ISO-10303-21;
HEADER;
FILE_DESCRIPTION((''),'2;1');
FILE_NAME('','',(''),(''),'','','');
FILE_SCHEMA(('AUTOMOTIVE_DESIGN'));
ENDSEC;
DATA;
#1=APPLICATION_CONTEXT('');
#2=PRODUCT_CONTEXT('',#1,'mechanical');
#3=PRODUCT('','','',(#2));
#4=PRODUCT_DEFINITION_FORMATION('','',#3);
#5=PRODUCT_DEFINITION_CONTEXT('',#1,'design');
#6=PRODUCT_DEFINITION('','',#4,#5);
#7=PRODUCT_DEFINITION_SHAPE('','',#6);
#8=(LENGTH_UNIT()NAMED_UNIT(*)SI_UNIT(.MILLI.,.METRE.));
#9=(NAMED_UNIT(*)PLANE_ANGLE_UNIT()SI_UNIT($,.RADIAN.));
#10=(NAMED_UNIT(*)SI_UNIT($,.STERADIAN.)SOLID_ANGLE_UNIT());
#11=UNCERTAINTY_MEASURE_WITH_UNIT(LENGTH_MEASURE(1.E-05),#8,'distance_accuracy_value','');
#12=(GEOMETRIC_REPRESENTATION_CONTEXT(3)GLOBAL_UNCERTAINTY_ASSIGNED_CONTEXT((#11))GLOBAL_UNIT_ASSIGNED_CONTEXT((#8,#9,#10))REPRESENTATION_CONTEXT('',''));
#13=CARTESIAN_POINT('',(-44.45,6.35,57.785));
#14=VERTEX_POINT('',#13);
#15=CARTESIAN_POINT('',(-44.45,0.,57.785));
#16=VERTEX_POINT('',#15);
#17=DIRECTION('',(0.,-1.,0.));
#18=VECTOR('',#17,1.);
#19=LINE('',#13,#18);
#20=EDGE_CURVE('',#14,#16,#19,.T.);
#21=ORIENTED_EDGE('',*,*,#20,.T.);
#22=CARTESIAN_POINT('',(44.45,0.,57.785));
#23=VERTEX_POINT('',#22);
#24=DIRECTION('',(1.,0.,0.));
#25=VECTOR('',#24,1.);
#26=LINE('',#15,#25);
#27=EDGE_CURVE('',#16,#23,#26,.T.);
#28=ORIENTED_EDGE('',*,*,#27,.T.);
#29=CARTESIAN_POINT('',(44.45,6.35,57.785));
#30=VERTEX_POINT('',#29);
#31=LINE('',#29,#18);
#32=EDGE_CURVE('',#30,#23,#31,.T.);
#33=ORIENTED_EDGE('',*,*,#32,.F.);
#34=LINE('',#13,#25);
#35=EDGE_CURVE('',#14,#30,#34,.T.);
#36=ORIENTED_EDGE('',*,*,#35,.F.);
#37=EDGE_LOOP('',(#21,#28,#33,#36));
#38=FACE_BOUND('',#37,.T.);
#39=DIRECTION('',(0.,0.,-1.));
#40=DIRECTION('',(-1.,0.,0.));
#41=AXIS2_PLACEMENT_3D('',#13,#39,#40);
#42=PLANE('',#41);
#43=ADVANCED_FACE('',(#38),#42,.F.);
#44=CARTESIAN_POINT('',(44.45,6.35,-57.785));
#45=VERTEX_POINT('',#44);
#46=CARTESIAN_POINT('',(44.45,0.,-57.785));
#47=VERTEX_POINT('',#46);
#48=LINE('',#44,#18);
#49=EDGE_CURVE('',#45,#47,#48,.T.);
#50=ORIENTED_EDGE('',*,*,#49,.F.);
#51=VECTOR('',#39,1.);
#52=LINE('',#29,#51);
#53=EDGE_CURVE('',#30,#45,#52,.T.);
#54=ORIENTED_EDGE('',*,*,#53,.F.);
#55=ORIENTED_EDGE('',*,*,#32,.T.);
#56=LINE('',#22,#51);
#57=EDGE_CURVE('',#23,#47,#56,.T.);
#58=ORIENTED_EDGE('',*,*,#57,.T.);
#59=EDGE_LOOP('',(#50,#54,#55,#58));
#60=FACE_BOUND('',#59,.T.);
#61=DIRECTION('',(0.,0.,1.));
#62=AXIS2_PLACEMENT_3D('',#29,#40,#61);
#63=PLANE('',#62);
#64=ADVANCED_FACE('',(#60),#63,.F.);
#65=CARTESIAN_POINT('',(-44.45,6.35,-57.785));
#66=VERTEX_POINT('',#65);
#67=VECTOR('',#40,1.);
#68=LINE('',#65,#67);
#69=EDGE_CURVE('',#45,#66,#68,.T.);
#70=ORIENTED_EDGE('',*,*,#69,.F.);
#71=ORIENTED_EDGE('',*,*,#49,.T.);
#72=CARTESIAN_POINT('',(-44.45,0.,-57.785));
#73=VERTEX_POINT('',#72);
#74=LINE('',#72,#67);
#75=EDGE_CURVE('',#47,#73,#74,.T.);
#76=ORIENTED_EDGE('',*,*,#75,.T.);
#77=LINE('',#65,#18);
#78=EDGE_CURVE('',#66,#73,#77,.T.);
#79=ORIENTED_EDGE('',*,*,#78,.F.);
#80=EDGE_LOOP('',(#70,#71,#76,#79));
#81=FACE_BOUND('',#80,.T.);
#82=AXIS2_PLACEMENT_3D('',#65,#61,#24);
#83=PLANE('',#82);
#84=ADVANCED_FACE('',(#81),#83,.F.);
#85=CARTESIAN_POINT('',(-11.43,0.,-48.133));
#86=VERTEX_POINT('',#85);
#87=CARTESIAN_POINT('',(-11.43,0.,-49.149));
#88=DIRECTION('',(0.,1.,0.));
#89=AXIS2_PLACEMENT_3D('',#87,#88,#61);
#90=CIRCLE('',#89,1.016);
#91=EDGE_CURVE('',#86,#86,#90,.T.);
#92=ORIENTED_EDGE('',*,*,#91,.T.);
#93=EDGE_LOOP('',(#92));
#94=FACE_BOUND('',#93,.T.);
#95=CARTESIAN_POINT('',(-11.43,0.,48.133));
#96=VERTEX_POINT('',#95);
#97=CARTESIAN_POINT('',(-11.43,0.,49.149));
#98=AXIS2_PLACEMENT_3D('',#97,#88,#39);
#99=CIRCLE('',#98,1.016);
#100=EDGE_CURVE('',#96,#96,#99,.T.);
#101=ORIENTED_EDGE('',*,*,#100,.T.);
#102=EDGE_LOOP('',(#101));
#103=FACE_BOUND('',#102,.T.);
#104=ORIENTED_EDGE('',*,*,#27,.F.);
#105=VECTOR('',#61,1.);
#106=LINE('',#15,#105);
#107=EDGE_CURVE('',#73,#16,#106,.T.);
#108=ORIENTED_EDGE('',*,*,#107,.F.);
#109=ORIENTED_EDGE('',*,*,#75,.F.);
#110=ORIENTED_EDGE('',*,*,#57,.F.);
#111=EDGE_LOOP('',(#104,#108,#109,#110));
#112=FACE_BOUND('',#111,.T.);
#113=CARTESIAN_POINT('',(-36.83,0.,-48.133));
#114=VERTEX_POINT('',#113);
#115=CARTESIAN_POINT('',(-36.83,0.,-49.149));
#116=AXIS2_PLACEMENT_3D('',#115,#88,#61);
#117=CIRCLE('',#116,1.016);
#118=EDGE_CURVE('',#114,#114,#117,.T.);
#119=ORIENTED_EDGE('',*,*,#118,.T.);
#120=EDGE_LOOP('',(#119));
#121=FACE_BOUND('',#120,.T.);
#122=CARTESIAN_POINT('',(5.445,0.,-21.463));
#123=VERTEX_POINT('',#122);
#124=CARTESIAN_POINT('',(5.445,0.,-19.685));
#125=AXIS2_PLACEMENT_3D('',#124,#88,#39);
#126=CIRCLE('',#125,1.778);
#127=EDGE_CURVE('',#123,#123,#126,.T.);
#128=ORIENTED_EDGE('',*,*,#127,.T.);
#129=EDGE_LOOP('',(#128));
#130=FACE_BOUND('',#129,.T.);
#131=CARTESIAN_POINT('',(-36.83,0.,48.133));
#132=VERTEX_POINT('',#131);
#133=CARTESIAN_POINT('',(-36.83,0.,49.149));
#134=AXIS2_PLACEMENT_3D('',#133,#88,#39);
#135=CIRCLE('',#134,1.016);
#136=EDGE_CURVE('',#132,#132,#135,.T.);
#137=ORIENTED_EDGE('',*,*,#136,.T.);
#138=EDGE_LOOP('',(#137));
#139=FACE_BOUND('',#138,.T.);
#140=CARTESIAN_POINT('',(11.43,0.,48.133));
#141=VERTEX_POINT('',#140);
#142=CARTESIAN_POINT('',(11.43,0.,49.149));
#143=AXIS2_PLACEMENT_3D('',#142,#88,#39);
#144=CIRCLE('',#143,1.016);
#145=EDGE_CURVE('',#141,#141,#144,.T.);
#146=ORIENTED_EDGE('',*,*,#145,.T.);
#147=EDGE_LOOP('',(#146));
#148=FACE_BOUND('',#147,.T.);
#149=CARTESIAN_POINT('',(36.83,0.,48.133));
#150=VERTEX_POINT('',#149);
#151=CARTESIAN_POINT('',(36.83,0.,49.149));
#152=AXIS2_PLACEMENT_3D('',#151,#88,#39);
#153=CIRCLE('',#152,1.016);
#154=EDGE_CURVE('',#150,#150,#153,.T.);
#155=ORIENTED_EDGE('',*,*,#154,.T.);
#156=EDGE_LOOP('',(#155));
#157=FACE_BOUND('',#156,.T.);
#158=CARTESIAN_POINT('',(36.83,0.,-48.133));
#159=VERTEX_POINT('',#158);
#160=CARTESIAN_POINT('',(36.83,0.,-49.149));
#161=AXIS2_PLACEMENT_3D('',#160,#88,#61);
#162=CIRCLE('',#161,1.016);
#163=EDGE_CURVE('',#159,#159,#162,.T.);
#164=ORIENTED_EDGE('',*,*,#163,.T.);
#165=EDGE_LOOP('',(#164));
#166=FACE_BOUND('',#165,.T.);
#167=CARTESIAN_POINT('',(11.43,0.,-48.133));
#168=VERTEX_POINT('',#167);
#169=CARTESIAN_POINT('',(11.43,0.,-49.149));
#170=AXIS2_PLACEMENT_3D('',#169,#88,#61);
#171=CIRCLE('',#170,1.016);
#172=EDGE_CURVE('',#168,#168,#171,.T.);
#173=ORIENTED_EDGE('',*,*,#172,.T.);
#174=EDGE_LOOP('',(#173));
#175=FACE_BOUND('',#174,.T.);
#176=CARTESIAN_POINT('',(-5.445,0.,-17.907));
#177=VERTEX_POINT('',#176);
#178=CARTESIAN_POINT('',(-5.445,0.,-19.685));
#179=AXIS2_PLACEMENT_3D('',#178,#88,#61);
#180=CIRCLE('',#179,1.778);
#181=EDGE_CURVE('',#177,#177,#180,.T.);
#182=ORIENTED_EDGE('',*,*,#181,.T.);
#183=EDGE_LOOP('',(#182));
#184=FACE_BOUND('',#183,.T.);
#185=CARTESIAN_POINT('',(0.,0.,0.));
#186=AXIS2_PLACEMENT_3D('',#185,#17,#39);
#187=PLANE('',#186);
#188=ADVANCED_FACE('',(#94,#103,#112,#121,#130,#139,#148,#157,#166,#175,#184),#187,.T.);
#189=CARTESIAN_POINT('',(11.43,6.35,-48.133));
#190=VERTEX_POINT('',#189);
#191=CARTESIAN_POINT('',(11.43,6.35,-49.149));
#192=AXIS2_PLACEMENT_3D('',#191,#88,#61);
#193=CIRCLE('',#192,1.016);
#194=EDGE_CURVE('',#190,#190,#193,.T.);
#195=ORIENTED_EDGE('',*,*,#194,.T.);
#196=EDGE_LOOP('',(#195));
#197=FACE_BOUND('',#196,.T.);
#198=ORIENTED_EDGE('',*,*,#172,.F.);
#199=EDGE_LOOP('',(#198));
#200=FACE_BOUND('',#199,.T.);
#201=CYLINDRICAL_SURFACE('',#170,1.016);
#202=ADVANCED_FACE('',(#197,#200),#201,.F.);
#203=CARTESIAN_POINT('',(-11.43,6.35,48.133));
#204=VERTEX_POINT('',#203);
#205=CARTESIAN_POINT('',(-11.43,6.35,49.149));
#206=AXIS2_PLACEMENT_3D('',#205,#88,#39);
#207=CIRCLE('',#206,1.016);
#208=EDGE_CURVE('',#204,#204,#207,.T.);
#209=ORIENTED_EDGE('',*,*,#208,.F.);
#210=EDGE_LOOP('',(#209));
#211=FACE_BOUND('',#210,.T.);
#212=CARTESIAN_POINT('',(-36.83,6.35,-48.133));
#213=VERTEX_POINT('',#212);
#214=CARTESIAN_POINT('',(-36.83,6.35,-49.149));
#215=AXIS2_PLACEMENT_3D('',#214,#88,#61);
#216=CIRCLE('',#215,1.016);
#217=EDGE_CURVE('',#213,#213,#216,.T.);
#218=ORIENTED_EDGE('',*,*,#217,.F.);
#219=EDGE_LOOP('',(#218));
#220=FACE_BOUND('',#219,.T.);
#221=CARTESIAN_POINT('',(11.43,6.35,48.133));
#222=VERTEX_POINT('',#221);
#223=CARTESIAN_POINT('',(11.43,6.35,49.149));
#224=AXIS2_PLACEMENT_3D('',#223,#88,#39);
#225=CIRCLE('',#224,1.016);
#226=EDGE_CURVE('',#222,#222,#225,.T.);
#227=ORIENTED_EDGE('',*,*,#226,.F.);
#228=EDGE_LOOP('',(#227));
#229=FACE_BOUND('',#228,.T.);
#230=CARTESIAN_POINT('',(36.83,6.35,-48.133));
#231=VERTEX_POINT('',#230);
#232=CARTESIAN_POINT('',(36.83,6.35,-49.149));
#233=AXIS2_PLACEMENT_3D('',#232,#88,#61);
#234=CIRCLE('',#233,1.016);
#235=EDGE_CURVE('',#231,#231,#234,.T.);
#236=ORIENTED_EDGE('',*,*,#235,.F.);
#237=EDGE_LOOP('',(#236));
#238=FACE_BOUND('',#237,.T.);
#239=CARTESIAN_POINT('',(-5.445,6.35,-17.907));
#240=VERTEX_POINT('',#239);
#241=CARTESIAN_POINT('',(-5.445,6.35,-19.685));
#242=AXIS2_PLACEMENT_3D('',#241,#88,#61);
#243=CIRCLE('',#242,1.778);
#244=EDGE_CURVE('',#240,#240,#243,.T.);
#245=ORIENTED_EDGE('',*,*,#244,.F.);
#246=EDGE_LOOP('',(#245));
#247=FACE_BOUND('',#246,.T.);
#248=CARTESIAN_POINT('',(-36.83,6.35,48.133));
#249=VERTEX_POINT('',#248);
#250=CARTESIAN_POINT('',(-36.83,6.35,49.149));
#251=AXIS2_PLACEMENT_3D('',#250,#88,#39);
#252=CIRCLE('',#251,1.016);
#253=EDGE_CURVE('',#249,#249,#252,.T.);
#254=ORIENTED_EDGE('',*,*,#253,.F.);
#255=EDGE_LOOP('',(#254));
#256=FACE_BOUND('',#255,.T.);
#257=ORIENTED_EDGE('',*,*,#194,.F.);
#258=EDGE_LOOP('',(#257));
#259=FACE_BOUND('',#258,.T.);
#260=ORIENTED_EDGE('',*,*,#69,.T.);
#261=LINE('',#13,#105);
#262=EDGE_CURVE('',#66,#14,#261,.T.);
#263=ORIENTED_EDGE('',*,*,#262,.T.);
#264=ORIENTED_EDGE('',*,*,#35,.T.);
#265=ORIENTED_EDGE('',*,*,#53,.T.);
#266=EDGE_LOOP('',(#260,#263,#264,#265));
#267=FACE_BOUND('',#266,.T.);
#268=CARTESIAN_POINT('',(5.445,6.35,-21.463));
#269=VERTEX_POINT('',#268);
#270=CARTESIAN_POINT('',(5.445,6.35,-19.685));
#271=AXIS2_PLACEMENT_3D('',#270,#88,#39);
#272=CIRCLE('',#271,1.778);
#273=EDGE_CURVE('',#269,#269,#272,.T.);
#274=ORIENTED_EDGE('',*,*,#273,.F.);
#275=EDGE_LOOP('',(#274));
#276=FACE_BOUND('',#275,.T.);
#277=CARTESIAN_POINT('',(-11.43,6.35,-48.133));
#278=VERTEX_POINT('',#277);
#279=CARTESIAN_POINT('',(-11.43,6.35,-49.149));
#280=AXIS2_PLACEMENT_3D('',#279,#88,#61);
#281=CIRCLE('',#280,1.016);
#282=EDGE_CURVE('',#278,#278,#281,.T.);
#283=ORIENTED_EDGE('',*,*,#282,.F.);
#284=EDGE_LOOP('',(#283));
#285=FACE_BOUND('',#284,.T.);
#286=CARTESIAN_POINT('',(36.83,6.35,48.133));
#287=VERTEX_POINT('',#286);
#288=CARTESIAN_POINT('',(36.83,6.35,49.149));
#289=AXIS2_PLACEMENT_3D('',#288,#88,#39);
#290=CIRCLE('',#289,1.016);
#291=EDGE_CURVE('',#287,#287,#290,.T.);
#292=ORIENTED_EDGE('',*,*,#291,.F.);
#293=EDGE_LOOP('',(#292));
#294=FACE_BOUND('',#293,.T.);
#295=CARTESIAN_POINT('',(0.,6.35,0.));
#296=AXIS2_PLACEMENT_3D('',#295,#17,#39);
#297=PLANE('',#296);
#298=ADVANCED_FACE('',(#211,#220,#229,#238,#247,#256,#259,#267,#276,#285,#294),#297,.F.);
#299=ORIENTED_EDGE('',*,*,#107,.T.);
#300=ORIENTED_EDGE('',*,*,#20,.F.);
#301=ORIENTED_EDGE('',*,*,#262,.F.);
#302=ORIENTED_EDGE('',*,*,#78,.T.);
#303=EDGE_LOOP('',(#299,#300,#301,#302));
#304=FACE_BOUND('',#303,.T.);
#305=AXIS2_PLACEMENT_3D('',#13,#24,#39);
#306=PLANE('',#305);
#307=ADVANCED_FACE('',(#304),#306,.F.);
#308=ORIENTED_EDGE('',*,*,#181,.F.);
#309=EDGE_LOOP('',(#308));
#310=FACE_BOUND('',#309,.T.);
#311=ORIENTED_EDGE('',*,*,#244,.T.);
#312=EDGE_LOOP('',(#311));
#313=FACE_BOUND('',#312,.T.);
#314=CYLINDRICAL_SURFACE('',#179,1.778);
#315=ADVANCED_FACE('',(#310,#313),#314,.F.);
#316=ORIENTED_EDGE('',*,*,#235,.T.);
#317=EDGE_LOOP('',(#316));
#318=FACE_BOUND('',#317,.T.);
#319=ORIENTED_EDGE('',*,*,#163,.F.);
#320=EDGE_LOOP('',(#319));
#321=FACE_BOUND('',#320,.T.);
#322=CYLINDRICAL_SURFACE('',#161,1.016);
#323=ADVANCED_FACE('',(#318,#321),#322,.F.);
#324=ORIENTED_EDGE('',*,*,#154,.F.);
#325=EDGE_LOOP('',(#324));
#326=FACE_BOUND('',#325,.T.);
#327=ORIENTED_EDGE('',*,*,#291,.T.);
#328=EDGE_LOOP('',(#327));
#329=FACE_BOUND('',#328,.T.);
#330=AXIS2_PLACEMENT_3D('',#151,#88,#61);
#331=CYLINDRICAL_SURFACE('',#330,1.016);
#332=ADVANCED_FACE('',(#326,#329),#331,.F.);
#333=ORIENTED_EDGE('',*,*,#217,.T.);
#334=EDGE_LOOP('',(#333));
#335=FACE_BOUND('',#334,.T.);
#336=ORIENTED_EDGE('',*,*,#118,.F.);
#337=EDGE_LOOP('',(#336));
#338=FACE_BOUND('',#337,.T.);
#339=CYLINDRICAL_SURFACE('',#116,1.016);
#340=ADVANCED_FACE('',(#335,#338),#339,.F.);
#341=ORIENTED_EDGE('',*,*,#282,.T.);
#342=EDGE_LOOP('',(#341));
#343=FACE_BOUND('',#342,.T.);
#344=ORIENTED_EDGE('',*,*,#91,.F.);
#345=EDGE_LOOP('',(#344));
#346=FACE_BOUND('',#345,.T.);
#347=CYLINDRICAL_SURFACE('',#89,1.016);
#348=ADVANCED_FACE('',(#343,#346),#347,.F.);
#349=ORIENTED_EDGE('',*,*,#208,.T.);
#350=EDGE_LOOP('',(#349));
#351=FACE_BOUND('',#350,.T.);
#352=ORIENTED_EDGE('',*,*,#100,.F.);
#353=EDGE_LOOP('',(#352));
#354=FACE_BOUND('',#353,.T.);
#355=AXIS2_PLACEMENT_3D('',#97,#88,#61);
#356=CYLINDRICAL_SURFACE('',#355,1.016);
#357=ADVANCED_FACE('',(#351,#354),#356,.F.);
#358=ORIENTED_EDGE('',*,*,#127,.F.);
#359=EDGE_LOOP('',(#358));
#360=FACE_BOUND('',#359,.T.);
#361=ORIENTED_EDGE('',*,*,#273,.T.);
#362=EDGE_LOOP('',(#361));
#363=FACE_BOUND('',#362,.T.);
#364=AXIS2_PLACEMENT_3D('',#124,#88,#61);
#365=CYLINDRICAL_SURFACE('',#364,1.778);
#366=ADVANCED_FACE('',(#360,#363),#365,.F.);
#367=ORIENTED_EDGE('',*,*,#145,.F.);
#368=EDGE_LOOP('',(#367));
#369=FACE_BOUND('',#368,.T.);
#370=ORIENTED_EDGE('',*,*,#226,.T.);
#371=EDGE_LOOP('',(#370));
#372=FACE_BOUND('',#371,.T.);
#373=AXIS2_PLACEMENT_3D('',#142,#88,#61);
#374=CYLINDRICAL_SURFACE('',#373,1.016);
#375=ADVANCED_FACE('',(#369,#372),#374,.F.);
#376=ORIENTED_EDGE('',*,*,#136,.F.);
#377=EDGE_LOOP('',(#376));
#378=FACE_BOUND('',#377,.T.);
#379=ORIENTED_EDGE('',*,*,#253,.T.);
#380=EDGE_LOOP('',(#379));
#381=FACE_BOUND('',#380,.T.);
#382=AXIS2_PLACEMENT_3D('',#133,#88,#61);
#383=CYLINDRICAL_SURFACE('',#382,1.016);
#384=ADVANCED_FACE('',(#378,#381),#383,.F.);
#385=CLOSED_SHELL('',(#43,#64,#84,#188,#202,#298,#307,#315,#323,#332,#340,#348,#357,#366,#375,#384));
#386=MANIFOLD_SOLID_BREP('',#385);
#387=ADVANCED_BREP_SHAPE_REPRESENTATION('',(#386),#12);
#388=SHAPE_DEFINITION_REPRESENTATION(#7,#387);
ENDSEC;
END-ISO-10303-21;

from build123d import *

# Parameters (mm, degrees)
SKETCH1_W           = 88.9
SKETCH1_H           = 115.57
BOSS_EXTRUDE1_DEPTH = 6.35
SKETCH2_R           = 1.016
CUT_EXTRUDE1_DEPTH  = 7.35
SKETCH4_R           = 1.778
CUT_EXTRUDE2_DEPTH  = 7.35


with BuildPart() as part:
    # Sketch1 → Boss-Extrude1 (new body)
    with BuildSketch(Plane(origin=(0, 0, 0), x_dir=(1, 0, 0), z_dir=(0, 1, 0))):
        Rectangle(SKETCH1_W, SKETCH1_H)
    extrude(amount=BOSS_EXTRUDE1_DEPTH)

    # Sketch2 → Cut-Extrude1 (cut, through all)
    with BuildSketch(Plane(origin=(0, 6.35, 0), x_dir=(1, 0, 0), z_dir=(0, 1, 0))):
        with Locations((-36.83, 49.149)):
            Circle(SKETCH2_R)
        with Locations((-11.43, 49.149)):
            Circle(SKETCH2_R)
        with Locations((11.43, 49.149)):
            Circle(SKETCH2_R)
        with Locations((36.83, 49.149)):
            Circle(SKETCH2_R)
        with Locations((36.83, -49.149)):
            Circle(SKETCH2_R)
        with Locations((-11.43, -49.149)):
            Circle(SKETCH2_R)
        with Locations((11.43, -49.149)):
            Circle(SKETCH2_R)
        with Locations((-36.83, -49.149)):
            Circle(SKETCH2_R)
    extrude(amount=-CUT_EXTRUDE1_DEPTH, mode=Mode.SUBTRACT)

    # Sketch4 → Cut-Extrude2 (cut, through all)
    with BuildSketch(Plane(origin=(0, 6.35, 0), x_dir=(1, 0, 0), z_dir=(0, 1, 0))):
        with Locations((-5.445, 19.685)):
            Circle(SKETCH4_R)
        with Locations((5.445, 19.685)):
            Circle(SKETCH4_R)
    extrude(amount=-CUT_EXTRUDE2_DEPTH, mode=Mode.SUBTRACT)


solid = part.part
